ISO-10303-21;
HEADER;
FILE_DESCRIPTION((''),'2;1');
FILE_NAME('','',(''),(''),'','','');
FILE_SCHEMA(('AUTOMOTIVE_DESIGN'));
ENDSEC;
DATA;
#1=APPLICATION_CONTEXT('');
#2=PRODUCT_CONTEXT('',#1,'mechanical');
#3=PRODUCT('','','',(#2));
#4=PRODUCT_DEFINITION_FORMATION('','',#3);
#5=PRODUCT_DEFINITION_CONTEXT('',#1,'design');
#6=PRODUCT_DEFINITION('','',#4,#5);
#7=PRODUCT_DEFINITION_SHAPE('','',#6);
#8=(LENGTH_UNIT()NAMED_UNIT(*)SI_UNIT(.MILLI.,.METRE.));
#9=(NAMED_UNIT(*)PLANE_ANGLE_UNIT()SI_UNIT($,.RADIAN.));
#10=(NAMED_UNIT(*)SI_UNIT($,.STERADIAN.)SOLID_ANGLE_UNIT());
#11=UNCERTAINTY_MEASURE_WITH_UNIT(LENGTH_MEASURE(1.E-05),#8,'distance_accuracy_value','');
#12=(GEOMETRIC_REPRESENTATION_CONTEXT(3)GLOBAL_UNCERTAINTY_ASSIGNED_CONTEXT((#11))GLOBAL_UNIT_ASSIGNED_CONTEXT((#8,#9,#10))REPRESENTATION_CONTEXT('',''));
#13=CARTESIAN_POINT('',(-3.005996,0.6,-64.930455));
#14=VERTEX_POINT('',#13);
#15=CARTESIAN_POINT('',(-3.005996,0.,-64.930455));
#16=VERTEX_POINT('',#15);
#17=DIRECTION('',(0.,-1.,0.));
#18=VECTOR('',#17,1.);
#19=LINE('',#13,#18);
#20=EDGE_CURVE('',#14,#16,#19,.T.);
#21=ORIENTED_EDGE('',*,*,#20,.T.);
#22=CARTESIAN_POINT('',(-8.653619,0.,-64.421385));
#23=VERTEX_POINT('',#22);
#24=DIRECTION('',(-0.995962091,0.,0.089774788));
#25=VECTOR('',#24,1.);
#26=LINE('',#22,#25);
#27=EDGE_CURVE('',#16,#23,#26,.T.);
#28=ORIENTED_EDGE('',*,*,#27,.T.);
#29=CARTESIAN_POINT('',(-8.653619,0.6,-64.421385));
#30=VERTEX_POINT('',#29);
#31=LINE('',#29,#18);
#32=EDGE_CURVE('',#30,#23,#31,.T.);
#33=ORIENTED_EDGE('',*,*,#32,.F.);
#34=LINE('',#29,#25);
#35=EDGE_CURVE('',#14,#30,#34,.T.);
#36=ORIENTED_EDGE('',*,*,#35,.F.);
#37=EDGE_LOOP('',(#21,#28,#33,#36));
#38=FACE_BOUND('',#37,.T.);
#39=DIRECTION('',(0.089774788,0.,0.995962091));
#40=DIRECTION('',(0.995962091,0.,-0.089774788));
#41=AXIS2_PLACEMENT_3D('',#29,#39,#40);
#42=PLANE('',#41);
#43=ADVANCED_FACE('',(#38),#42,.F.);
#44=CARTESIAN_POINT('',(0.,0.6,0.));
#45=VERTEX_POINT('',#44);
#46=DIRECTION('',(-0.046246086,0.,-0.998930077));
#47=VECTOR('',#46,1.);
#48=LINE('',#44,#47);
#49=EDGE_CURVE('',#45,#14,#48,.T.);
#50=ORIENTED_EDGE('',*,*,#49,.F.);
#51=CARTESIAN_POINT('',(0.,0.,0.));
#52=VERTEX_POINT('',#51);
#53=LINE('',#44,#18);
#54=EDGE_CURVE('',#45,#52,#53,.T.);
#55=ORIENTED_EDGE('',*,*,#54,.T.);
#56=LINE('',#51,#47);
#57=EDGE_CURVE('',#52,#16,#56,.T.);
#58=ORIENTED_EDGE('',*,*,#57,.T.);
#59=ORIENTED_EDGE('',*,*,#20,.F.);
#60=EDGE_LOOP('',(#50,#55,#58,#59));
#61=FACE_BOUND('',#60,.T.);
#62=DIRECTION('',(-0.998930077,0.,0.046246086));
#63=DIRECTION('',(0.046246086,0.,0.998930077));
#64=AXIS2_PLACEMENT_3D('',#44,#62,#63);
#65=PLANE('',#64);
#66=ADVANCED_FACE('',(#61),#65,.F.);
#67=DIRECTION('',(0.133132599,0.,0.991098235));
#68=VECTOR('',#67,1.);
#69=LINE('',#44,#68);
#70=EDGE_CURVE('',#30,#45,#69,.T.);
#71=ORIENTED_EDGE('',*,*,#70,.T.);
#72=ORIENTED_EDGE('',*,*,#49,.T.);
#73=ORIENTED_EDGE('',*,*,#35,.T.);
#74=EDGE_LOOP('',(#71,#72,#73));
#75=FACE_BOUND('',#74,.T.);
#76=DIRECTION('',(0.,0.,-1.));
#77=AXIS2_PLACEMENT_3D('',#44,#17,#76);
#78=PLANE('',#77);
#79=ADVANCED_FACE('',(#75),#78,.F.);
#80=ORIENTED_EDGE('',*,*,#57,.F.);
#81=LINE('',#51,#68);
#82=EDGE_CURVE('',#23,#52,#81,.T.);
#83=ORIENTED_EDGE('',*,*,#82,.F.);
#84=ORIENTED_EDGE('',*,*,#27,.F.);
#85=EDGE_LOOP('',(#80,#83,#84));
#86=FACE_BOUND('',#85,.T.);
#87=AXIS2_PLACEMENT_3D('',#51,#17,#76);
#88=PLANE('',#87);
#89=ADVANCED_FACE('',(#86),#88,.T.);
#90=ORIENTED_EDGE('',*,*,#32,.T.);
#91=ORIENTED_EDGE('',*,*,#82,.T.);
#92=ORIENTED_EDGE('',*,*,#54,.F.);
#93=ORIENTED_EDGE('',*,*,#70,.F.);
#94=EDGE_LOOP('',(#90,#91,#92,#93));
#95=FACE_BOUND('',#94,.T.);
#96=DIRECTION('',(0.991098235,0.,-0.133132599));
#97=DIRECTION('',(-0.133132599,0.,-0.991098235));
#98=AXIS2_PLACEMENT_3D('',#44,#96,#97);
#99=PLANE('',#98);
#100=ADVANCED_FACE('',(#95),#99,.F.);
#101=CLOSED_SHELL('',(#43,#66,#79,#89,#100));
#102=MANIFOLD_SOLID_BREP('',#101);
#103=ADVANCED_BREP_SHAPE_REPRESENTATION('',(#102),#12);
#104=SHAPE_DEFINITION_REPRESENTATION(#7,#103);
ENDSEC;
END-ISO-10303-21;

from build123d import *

# Parameters (mm, degrees)
BOSS_EXTRUDE1_DEPTH = 0.6


with BuildPart() as part:
    # Sketch1 → Boss-Extrude1 (new body)
    with BuildSketch(Plane(origin=(0, 0, 0), x_dir=(1, 0, 0), z_dir=(0, 1, 0))):
        Polygon((0, 0), (-8.653618916, 64.421385266), (-3.005995602, 64.93045503), align=None)
    extrude(amount=BOSS_EXTRUDE1_DEPTH)


solid = part.part
